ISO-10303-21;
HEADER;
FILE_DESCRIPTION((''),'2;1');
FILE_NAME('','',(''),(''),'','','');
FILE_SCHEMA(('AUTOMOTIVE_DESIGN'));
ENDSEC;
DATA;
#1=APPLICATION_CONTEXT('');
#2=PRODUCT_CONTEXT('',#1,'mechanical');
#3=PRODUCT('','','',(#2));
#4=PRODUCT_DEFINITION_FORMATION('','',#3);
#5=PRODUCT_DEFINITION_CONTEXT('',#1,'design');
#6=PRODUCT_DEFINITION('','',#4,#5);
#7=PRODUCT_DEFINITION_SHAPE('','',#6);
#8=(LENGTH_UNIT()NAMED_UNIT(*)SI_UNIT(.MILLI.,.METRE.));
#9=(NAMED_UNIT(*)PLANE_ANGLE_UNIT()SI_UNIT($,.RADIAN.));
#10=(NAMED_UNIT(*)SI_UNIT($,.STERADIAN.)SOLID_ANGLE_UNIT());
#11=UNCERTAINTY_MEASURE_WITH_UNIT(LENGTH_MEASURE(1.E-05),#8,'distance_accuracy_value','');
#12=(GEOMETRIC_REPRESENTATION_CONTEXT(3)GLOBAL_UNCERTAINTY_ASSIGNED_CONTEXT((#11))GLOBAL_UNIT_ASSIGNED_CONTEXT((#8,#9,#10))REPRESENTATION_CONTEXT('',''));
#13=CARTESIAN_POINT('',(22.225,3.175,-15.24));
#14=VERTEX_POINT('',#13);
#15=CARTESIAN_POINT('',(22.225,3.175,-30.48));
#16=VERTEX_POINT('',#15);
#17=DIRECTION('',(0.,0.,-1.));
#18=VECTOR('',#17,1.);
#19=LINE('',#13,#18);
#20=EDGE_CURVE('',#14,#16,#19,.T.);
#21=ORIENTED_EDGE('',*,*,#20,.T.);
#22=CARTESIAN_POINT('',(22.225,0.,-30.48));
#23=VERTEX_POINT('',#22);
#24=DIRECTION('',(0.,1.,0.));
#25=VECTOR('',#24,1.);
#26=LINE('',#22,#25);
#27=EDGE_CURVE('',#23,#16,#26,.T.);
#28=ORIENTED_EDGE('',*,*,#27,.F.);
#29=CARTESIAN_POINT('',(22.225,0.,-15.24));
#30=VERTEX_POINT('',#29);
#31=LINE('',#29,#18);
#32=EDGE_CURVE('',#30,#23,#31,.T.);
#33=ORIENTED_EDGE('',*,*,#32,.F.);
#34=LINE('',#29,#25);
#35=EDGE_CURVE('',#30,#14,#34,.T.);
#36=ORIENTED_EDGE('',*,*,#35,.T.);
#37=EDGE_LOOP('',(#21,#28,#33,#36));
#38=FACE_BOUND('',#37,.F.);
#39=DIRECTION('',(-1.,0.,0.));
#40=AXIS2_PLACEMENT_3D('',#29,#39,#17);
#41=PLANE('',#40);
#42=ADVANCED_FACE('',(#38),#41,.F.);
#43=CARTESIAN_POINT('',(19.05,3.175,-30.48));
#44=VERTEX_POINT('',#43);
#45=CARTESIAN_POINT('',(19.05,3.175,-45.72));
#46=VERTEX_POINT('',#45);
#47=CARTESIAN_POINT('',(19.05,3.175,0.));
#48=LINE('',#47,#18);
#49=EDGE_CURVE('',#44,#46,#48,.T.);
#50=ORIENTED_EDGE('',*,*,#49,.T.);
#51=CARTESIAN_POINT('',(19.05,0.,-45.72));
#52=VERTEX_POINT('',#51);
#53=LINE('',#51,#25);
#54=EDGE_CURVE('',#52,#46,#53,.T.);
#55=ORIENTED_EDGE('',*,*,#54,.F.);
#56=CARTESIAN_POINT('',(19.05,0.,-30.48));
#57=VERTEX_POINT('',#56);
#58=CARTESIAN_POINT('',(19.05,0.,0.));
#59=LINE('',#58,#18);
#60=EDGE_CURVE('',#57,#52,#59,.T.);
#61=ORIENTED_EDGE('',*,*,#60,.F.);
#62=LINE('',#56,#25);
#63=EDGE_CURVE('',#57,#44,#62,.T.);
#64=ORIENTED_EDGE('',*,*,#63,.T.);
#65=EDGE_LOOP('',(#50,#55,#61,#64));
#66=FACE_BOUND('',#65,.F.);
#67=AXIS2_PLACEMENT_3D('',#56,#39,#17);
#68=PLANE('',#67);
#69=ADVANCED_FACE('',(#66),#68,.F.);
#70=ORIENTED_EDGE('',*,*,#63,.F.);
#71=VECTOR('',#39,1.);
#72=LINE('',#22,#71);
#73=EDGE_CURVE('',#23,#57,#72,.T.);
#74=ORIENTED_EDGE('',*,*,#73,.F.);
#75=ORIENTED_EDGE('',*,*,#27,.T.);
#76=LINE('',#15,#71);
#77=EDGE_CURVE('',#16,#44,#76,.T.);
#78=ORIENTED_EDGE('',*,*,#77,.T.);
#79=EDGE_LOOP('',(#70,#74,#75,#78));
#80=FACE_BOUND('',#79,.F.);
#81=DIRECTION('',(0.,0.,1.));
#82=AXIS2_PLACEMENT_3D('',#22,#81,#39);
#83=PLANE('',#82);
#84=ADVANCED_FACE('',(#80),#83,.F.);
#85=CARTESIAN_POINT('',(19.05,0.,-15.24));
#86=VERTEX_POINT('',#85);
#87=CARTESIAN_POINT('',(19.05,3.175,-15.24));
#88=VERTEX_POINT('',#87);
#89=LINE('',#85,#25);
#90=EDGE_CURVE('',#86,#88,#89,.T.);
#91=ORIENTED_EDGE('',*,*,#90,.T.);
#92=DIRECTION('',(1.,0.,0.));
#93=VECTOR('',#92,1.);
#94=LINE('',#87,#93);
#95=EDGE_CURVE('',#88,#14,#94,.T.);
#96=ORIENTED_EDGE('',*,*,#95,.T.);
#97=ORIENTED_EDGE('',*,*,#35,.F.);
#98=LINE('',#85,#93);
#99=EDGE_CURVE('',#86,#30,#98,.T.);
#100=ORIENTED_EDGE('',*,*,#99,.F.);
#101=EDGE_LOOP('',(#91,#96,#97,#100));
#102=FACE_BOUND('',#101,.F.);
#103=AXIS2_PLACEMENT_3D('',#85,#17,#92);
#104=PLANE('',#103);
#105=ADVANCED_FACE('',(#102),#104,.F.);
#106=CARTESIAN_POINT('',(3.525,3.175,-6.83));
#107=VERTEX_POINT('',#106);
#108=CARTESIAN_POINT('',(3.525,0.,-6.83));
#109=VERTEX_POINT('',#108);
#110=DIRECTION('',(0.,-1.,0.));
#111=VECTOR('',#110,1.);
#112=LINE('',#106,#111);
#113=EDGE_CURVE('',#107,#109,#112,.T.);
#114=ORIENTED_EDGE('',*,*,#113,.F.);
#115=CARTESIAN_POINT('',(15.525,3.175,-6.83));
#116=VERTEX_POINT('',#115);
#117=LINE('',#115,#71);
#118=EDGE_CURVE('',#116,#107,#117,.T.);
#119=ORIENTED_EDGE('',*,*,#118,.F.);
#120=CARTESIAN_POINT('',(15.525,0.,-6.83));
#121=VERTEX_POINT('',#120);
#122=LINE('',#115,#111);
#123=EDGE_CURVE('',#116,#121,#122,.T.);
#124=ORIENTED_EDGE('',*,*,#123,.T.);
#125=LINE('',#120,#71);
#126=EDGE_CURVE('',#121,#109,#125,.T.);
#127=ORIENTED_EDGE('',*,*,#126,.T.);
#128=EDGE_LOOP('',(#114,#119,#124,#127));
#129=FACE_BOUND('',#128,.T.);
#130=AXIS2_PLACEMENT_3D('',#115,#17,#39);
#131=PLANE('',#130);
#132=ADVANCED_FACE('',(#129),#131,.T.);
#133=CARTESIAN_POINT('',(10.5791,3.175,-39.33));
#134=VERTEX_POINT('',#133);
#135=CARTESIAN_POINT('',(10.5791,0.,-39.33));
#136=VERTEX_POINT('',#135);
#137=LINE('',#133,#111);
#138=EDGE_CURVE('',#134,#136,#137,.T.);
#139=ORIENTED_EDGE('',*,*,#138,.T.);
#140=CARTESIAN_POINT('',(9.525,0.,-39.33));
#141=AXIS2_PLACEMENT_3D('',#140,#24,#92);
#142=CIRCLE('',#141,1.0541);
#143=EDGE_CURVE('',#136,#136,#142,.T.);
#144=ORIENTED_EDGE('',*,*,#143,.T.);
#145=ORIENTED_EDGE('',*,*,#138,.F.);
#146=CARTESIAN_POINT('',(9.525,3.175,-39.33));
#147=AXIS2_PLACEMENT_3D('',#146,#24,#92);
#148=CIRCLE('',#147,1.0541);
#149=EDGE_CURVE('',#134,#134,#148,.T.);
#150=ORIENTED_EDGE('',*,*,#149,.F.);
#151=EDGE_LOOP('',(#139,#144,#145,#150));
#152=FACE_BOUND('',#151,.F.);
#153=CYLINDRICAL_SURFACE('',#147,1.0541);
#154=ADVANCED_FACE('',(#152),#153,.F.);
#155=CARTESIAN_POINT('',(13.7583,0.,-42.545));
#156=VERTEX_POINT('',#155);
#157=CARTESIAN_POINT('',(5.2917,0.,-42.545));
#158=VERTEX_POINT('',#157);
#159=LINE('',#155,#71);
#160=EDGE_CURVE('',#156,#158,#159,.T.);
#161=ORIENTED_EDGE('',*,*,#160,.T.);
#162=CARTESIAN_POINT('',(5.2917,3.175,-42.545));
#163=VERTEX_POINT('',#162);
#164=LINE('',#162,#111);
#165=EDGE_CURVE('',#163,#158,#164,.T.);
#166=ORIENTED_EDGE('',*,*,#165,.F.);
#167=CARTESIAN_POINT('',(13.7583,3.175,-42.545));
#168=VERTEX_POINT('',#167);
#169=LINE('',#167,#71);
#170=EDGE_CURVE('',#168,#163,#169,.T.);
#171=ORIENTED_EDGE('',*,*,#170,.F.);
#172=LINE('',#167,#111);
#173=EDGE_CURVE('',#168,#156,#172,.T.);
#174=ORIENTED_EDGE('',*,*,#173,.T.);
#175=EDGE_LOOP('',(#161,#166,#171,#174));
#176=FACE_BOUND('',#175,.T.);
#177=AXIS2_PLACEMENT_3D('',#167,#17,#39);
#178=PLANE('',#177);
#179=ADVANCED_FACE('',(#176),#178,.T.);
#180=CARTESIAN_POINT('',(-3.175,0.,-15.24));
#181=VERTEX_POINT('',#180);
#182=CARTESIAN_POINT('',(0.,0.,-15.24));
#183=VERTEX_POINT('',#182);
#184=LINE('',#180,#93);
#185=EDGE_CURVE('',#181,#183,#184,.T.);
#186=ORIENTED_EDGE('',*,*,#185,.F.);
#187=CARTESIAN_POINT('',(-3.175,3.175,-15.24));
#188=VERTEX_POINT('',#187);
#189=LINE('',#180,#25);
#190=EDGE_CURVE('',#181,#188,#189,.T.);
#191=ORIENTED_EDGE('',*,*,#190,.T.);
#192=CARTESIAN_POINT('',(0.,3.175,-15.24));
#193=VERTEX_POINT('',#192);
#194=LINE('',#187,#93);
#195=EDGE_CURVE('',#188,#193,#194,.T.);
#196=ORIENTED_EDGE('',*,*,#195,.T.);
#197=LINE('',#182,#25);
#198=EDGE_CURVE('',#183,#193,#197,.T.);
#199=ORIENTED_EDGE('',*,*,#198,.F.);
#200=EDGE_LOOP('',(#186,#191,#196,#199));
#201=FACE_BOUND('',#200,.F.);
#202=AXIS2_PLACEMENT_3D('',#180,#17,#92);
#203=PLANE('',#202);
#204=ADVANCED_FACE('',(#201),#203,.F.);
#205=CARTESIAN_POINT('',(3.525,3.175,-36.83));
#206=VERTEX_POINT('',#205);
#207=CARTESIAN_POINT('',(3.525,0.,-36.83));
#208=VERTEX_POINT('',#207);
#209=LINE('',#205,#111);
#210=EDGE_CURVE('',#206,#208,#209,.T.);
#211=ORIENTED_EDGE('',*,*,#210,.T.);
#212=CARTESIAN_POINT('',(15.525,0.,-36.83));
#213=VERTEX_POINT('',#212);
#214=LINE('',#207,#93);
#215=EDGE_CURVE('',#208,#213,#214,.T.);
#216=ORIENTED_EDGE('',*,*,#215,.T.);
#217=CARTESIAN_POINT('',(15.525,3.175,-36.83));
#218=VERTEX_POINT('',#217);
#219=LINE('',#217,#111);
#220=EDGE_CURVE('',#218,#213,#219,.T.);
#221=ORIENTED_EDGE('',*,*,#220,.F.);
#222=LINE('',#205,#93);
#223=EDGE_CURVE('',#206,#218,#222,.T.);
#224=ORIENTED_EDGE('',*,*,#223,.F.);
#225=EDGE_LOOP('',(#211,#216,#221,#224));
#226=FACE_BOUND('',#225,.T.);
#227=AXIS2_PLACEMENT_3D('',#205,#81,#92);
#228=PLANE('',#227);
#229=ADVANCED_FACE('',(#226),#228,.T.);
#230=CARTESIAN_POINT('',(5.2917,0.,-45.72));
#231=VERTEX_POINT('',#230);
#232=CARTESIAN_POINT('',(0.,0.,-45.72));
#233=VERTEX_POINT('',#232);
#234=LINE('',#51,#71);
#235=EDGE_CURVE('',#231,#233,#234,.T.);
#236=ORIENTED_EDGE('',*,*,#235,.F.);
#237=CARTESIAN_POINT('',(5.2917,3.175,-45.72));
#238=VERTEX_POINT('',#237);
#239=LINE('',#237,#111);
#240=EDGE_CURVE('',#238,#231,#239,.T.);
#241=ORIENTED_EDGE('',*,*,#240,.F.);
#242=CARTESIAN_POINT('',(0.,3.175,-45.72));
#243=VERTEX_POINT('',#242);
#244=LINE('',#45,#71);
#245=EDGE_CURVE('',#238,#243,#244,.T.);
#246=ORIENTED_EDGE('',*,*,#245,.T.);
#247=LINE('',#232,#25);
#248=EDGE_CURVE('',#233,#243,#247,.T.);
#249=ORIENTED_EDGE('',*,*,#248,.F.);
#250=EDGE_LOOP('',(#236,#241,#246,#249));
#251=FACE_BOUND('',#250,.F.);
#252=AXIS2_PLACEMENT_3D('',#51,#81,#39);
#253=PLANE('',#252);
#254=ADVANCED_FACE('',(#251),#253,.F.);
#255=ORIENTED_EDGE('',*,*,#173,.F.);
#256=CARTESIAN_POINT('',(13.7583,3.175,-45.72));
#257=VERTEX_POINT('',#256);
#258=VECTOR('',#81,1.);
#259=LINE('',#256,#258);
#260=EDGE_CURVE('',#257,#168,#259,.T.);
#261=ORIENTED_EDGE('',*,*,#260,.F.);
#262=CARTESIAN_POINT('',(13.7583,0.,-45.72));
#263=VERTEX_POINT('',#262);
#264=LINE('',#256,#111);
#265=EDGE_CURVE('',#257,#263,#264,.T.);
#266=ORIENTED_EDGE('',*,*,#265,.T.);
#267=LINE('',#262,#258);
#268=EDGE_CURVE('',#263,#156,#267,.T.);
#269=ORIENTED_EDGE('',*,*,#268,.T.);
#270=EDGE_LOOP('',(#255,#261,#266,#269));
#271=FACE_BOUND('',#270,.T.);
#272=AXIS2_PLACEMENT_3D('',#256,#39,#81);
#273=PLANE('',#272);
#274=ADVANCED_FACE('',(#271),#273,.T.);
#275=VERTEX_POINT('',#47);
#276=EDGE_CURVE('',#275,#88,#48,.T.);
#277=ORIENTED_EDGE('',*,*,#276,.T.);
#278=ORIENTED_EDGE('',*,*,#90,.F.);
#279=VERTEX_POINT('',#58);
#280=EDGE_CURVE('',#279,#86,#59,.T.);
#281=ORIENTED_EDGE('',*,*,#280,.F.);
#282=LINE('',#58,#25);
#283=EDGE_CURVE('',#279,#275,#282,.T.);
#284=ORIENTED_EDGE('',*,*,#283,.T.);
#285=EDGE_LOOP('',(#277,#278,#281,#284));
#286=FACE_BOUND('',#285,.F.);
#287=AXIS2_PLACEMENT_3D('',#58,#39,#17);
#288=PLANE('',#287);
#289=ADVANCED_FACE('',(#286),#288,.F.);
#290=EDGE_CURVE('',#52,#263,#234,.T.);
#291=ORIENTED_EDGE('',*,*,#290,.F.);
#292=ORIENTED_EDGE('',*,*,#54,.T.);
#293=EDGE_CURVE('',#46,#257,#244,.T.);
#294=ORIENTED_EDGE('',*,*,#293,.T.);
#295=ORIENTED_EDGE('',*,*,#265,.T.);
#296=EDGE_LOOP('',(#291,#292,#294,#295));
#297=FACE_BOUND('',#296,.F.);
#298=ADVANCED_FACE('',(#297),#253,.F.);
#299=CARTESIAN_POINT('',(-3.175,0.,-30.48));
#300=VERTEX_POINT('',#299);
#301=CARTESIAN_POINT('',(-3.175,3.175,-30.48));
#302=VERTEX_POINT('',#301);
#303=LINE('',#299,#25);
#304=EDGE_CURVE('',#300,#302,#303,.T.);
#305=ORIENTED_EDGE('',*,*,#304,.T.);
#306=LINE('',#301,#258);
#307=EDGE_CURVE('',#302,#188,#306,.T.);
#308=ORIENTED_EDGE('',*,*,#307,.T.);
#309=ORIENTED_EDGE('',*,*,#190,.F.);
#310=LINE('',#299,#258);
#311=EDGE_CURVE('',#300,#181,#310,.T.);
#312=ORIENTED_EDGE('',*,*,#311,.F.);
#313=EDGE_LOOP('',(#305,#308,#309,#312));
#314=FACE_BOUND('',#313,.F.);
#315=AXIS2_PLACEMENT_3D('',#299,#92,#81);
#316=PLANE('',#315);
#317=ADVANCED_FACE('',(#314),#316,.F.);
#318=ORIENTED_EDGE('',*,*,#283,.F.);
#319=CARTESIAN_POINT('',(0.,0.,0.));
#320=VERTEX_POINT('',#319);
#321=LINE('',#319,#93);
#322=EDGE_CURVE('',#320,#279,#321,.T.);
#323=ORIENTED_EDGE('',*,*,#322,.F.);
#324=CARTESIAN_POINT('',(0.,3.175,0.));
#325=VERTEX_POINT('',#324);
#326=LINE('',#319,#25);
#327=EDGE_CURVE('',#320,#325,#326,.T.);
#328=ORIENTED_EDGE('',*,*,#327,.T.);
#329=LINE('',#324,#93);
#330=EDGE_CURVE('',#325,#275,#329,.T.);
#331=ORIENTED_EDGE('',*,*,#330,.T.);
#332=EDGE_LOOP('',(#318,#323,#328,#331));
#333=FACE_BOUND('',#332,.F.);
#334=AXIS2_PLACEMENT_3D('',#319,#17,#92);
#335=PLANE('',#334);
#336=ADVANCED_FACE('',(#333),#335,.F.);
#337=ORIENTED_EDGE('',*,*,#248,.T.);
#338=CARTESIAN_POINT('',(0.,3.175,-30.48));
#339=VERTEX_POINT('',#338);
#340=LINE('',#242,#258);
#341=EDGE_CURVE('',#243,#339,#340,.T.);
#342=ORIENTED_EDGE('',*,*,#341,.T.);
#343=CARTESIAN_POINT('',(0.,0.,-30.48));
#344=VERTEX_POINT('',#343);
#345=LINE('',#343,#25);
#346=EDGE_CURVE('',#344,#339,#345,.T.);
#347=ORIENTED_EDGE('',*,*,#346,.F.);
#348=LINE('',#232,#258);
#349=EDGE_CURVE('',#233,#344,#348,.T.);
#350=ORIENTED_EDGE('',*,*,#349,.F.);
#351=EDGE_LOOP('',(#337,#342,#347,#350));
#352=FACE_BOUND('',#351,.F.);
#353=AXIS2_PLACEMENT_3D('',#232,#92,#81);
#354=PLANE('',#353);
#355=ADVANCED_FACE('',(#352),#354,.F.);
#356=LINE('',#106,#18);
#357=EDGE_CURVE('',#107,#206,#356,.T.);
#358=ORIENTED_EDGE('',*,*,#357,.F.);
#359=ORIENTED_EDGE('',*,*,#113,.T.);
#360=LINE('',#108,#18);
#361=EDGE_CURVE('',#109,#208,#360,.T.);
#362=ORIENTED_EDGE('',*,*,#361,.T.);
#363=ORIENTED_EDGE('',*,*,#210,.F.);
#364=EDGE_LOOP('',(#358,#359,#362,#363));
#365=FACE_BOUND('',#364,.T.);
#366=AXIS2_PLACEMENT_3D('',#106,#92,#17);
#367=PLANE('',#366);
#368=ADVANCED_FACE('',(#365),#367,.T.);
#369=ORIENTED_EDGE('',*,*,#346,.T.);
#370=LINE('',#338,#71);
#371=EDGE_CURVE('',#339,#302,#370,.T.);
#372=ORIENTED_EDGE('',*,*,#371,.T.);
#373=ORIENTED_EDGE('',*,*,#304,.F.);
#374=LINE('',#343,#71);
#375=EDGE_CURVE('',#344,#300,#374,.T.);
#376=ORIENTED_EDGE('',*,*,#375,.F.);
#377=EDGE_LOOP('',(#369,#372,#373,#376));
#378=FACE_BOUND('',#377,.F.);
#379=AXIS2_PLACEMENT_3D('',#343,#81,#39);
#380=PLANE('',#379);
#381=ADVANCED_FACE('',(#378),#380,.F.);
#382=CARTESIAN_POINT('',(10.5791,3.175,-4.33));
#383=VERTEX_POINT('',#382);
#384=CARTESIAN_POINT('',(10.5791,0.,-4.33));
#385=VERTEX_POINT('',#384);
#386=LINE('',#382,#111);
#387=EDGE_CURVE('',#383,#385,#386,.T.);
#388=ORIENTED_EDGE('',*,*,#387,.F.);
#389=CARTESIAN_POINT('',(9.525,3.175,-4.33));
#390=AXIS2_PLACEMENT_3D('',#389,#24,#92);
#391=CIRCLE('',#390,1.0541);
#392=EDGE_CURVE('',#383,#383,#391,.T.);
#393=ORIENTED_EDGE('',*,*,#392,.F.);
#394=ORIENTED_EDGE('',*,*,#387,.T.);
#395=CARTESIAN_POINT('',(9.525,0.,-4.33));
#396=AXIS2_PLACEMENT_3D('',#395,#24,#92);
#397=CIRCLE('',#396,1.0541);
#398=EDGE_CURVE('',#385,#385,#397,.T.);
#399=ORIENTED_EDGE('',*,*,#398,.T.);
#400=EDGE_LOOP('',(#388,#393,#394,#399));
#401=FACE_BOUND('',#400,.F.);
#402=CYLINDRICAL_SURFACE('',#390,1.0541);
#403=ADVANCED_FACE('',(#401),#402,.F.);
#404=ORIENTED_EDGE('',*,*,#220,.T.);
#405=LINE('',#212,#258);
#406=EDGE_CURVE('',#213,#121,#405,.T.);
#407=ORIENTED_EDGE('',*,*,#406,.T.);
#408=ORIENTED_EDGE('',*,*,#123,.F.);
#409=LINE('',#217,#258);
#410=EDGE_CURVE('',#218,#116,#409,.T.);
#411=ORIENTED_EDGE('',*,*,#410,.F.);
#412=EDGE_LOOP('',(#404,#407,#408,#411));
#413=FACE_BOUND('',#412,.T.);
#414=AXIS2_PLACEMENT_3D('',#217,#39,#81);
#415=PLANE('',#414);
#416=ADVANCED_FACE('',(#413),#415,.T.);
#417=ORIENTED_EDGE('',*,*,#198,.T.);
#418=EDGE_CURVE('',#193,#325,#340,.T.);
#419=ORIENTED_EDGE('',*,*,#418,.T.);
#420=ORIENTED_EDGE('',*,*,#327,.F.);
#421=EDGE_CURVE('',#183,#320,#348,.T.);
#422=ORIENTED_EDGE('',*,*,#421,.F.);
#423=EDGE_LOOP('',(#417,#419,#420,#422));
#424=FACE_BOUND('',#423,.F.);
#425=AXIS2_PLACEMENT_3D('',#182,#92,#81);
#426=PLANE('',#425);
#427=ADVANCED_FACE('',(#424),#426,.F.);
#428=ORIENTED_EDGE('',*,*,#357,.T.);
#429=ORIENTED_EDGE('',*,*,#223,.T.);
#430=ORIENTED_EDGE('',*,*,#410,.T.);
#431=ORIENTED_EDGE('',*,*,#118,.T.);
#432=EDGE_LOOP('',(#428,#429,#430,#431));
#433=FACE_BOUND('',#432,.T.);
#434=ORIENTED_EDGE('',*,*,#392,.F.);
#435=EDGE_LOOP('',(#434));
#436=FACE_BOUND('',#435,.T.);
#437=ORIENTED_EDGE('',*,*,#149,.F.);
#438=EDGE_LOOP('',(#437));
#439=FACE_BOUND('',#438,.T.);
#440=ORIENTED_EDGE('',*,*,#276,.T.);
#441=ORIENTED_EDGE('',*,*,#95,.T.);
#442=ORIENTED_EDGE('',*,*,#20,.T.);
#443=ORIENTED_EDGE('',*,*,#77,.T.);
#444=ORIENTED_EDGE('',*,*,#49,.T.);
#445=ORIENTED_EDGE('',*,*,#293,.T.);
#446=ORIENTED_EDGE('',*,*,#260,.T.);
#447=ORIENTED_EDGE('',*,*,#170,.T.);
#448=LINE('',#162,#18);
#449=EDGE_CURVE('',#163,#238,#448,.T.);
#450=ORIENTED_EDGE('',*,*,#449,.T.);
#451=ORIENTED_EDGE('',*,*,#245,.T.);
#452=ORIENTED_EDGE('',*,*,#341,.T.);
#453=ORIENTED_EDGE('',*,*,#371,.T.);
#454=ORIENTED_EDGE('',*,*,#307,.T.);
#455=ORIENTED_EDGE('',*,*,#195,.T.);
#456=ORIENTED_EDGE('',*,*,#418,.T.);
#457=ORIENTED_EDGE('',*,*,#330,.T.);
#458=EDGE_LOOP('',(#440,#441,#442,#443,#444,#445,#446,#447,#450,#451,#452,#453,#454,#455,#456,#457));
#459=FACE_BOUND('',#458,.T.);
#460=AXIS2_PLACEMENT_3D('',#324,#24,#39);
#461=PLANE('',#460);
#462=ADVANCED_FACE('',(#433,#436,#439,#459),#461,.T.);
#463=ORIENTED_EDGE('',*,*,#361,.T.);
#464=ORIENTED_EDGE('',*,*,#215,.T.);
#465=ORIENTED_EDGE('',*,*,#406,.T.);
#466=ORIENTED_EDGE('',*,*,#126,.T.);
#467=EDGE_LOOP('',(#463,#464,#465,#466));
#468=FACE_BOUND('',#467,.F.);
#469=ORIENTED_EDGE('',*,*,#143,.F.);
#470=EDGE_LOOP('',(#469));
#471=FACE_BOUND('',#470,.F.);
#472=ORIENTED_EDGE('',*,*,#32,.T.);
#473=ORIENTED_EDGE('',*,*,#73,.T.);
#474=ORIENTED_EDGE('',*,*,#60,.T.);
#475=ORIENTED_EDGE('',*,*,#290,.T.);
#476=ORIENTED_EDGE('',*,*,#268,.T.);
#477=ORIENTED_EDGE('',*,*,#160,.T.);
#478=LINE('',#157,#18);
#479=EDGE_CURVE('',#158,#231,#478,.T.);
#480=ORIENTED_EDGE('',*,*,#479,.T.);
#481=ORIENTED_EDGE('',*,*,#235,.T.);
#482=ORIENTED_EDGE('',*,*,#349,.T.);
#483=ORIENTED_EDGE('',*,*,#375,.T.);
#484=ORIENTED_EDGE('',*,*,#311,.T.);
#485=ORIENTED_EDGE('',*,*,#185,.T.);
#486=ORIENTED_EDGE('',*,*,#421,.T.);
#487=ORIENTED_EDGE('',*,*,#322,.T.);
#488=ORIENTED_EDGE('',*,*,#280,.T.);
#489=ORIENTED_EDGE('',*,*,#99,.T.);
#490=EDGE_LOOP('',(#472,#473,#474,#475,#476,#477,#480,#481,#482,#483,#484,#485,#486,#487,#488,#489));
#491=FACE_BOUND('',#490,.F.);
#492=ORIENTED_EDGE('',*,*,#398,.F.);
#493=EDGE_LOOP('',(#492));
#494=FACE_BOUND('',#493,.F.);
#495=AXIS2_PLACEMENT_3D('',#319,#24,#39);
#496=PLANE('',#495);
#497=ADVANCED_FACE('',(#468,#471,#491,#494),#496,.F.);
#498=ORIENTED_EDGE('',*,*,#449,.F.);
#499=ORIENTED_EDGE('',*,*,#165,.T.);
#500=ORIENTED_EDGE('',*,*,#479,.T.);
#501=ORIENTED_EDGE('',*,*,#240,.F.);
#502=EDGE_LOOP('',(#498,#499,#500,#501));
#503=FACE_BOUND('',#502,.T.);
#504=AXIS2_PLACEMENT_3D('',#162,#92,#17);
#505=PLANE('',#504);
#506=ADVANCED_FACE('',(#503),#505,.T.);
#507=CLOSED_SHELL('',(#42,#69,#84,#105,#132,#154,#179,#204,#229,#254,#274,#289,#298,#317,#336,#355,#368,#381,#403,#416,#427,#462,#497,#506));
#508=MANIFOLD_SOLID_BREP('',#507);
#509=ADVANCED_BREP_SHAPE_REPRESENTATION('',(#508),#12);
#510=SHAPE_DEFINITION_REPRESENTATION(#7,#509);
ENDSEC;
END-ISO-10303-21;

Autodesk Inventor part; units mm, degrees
ref_plane "YZ Plane" through (0, 0, 0) normal (1, 0, 0) x (0, 1, 0)
ref_plane "XZ Plane" through (0, 0, 0) normal (0, 1, 0) x (-1, 0, 0)
ref_plane "XY Plane" through (0, 0, 0) normal (0, 0, 1) x (1, 0, 0)
sketch "Sketch1" plane through (0, 0, 0) normal (0, 1, 0) x (-1, 0, 0)
  line L0 (0, 0) -> (-19.05, 0)
  line L1 (-19.05, 0) -> (-19.05, -45.72)
  line L2 (-19.05, -45.72) -> (0, -45.72)
  line L3 (0, -45.72) -> (0, 0)
  line L4 (-19.05, -15.24) -> (-22.225, -15.24)
  line L5 (-22.225, -15.24) -> (-22.225, -30.48)
  line L6 (-22.225, -30.48) -> (-19.05, -30.48)
  line L7 (-19.05, -30.48) -> (-19.05, -15.24)
  line L8 (0, -30.48) -> (3.175, -30.48)
  line L9 (3.175, -30.48) -> (3.175, -15.24)
  line L10 (3.175, -15.24) -> (0, -15.24)
  line L11 (0, -15.24) -> (0, -30.48)
  dimension "d0" = 19.05
  dimension "d1" = 45.72
  dimension "d2" = 3.175
  dimension "d3" = 15.24
  dimension "d4" = 3.175
  dimension "d5" = 15.24
  dimension "d6" = 15.24
extrude "Extrusion1" add sketch "Sketch1" along normal blind 3.175
sketch "Sketch2" plane through (0, 3.175, 0) normal (0, 1, 0) x (1, 0, 0)
  line L0 (-3.175, 30.48) -> (-3.175, 15.24) projected
  line L1 (19.05, 45.72) -> (0, 45.72) projected
  line L2 (5.2917, 45.72) -> (13.7583, 45.72)
  line L3 (13.7583, 45.72) -> (13.7583, 42.545)
  line L4 (13.7583, 42.545) -> (5.2917, 42.545)
  line L5 (5.2917, 42.545) -> (5.2917, 45.72)
  dimension "d9" = 8.4667
  dimension "d10" = 3.175
  dimension "d11" = 8.4667
extrude "Extrusion2" cut sketch "Sketch2" against normal blind 3.175
sketch "Sketch3" plane through (0, 3.175, 0) normal (0, 1, 0) x (1, 0, 0)
  line L0 (-3.175, 30.48) -> (-3.175, 15.24) projected
  line L1 (19.05, 45.72) -> (13.7583, 45.72) projected
  line L2 (3.525, 36.83) -> (15.525, 36.83)
  line L3 (15.525, 36.83) -> (15.525, 6.83)
  line L4 (15.525, 6.83) -> (3.525, 6.83)
  line L5 (3.525, 6.83) -> (3.525, 36.83)
  circle A0 centre (9.525, 4.33) radius 1.0541
  circle A1 centre (9.525, 39.33) radius 1.0541
  dimension "d14" = 12
  dimension "d15" = 30
  dimension "d16" = 6.7
  dimension "d17" = 8.89
  dimension "d18" = 2.1082
  dimension "d19" = 2.5
  dimension "d20" = 2.1082
  dimension "d21" = 2.5
  dimension "d22" = 6
  dimension "d23" = 6
extrude "Extrusion3" cut sketch "Sketch3" against normal blind 3.175
equation "\"d0\" = angleDepth - 2 * thick"
equation "\"d1\" = angleLength"
equation "\"d2\" = thick"
equation "\"d3\" = 0.333333 * angleLength"
equation "\"d4\" = thick"
equation "\"d5\" = 0.333333 * angleLength"
equation "\"d6\" = 0.333333 * angleLength"
equation "\"d7\" = thick"
equation "\"d9\" = 0.333333 * angleDepth"
equation "\"d10\" = thick"
equation "\"d11\" = 0.333333 * angleDepth"
equation "\"d12\" = thick"
equation "\"d14\" = servoWidth"
equation "\"d15\" = servoLength"
equation "\"d16\" = -0.5 * servoWidth + 0.5 * angleDepth"
equation "\"d17\" = servoOff"
equation "\"d18\" = servoHole"
equation "\"d19\" = -0.5 * servoLength + 0.5 * servoDist"
equation "\"d20\" = servoHole"
equation "\"d21\" = -0.5 * servoLength + 0.5 * servoDist"
equation "\"d22\" = 0.5 * servoWidth"
equation "\"d23\" = 0.5 * servoWidth"
equation "\"d24\" = thick"
equation "\"angleDepth\" = 25.4"
equation "\"thick\" = 3.175"
equation "\"angleLength\" = 45.72"
equation "\"servoLength\" = 30"
equation "\"servoWidth\" = 12"
equation "\"servoDist\" = 35"
equation "\"servoOff\" = 8.89"
equation "\"servoHole\" = 2.1082"
properties part number "AngleTop"
